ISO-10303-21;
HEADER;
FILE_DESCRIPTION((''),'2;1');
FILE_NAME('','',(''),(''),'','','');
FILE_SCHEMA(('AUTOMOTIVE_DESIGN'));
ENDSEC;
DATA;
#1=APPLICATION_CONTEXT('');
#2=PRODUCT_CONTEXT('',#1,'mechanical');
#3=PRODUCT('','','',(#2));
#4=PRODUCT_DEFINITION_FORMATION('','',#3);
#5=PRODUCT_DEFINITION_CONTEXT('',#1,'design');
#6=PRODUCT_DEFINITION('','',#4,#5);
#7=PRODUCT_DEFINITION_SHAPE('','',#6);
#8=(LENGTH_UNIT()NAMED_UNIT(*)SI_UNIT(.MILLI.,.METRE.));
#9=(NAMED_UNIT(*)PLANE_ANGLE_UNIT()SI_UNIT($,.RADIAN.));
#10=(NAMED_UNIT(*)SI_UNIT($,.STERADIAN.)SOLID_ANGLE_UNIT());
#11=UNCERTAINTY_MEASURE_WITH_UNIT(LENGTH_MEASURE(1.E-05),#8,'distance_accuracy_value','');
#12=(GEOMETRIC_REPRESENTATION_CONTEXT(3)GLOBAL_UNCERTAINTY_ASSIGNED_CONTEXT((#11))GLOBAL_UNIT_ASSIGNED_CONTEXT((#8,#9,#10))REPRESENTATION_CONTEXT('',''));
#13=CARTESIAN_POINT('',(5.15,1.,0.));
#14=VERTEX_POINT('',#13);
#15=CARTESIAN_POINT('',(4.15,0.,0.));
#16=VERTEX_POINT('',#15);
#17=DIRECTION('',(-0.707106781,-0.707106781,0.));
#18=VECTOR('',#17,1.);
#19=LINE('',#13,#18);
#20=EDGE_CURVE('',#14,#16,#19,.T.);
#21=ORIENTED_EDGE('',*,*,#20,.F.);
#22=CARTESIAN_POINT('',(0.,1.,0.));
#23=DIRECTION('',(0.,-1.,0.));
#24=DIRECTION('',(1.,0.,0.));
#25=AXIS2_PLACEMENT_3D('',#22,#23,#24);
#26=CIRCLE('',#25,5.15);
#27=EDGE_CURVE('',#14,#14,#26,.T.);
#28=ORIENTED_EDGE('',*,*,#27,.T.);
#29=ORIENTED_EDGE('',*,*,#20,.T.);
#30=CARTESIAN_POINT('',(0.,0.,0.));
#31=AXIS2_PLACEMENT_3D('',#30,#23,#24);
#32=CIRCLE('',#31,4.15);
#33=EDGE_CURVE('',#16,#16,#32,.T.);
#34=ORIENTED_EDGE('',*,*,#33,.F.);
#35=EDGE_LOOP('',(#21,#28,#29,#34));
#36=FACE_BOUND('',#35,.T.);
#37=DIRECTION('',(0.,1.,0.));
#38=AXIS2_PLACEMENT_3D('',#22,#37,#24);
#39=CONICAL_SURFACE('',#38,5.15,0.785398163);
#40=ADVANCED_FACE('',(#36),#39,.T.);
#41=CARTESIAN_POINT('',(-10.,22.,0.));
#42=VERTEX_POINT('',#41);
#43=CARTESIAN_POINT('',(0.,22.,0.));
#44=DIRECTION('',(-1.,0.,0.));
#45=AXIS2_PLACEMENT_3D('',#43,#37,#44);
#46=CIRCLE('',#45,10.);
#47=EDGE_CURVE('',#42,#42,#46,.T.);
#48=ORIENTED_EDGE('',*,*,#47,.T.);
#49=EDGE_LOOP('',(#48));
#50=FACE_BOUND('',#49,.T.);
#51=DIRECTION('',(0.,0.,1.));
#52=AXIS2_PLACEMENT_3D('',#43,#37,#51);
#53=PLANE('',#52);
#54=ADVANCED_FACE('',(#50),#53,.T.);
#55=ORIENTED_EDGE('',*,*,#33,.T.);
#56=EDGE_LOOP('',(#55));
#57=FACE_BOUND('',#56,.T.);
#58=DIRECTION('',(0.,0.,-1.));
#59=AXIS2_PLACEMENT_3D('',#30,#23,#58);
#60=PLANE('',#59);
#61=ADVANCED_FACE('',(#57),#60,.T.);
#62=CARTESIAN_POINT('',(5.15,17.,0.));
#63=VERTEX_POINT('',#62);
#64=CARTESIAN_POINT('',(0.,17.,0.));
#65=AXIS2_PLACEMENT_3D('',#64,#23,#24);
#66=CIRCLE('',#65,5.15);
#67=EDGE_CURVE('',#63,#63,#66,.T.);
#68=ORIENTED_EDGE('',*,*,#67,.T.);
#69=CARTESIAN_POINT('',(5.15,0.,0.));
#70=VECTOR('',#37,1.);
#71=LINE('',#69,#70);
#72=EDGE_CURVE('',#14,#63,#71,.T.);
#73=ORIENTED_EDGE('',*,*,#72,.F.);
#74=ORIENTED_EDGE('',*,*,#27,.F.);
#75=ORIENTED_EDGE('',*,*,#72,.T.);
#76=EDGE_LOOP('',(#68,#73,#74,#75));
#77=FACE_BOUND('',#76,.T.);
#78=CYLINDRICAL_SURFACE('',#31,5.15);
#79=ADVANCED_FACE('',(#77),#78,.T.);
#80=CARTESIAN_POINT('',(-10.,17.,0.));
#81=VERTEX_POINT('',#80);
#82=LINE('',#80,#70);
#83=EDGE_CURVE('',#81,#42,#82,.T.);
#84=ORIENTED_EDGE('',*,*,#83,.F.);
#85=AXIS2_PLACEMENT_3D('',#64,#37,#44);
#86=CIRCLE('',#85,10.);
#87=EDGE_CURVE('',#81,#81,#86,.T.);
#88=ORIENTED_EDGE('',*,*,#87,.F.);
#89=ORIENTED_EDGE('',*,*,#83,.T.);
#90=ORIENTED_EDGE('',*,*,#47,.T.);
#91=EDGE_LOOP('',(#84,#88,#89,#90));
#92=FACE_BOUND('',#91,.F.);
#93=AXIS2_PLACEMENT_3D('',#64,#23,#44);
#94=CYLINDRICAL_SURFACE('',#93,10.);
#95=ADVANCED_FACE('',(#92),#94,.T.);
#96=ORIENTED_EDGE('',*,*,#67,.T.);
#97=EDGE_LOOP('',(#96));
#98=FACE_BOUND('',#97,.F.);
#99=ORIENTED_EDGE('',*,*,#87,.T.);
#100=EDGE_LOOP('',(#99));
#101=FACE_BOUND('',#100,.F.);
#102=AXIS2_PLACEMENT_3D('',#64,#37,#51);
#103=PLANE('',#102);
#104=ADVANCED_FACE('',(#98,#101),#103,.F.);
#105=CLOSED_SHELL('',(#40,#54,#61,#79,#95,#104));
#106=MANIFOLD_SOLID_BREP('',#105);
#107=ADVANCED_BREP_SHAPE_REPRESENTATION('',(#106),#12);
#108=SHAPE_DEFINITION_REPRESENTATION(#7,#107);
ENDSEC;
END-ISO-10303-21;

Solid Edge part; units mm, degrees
sketch "Sketch1" plane through (0, 0, 0) normal (0, -1, 0) x (1, 0, 0)
  circle A0 centre (0, 0) radius 5.15
  dimension "D1" = 10.3
extrude "Protrusion1" add sketch "Sketch1" against normal blind 17
chamfer "Fase_1" distance 1 angle 45 1 edges at (-5.15, 0, 0)
sketch "Sketch2" plane through (0, 17, 0) normal (0, 1, 0) x (-1, 0, 0)
  circle A0 centre (0, 0) radius 10
extrude "Extrusionsausprägung_2" add sketch "Sketch2" along normal blind 5
